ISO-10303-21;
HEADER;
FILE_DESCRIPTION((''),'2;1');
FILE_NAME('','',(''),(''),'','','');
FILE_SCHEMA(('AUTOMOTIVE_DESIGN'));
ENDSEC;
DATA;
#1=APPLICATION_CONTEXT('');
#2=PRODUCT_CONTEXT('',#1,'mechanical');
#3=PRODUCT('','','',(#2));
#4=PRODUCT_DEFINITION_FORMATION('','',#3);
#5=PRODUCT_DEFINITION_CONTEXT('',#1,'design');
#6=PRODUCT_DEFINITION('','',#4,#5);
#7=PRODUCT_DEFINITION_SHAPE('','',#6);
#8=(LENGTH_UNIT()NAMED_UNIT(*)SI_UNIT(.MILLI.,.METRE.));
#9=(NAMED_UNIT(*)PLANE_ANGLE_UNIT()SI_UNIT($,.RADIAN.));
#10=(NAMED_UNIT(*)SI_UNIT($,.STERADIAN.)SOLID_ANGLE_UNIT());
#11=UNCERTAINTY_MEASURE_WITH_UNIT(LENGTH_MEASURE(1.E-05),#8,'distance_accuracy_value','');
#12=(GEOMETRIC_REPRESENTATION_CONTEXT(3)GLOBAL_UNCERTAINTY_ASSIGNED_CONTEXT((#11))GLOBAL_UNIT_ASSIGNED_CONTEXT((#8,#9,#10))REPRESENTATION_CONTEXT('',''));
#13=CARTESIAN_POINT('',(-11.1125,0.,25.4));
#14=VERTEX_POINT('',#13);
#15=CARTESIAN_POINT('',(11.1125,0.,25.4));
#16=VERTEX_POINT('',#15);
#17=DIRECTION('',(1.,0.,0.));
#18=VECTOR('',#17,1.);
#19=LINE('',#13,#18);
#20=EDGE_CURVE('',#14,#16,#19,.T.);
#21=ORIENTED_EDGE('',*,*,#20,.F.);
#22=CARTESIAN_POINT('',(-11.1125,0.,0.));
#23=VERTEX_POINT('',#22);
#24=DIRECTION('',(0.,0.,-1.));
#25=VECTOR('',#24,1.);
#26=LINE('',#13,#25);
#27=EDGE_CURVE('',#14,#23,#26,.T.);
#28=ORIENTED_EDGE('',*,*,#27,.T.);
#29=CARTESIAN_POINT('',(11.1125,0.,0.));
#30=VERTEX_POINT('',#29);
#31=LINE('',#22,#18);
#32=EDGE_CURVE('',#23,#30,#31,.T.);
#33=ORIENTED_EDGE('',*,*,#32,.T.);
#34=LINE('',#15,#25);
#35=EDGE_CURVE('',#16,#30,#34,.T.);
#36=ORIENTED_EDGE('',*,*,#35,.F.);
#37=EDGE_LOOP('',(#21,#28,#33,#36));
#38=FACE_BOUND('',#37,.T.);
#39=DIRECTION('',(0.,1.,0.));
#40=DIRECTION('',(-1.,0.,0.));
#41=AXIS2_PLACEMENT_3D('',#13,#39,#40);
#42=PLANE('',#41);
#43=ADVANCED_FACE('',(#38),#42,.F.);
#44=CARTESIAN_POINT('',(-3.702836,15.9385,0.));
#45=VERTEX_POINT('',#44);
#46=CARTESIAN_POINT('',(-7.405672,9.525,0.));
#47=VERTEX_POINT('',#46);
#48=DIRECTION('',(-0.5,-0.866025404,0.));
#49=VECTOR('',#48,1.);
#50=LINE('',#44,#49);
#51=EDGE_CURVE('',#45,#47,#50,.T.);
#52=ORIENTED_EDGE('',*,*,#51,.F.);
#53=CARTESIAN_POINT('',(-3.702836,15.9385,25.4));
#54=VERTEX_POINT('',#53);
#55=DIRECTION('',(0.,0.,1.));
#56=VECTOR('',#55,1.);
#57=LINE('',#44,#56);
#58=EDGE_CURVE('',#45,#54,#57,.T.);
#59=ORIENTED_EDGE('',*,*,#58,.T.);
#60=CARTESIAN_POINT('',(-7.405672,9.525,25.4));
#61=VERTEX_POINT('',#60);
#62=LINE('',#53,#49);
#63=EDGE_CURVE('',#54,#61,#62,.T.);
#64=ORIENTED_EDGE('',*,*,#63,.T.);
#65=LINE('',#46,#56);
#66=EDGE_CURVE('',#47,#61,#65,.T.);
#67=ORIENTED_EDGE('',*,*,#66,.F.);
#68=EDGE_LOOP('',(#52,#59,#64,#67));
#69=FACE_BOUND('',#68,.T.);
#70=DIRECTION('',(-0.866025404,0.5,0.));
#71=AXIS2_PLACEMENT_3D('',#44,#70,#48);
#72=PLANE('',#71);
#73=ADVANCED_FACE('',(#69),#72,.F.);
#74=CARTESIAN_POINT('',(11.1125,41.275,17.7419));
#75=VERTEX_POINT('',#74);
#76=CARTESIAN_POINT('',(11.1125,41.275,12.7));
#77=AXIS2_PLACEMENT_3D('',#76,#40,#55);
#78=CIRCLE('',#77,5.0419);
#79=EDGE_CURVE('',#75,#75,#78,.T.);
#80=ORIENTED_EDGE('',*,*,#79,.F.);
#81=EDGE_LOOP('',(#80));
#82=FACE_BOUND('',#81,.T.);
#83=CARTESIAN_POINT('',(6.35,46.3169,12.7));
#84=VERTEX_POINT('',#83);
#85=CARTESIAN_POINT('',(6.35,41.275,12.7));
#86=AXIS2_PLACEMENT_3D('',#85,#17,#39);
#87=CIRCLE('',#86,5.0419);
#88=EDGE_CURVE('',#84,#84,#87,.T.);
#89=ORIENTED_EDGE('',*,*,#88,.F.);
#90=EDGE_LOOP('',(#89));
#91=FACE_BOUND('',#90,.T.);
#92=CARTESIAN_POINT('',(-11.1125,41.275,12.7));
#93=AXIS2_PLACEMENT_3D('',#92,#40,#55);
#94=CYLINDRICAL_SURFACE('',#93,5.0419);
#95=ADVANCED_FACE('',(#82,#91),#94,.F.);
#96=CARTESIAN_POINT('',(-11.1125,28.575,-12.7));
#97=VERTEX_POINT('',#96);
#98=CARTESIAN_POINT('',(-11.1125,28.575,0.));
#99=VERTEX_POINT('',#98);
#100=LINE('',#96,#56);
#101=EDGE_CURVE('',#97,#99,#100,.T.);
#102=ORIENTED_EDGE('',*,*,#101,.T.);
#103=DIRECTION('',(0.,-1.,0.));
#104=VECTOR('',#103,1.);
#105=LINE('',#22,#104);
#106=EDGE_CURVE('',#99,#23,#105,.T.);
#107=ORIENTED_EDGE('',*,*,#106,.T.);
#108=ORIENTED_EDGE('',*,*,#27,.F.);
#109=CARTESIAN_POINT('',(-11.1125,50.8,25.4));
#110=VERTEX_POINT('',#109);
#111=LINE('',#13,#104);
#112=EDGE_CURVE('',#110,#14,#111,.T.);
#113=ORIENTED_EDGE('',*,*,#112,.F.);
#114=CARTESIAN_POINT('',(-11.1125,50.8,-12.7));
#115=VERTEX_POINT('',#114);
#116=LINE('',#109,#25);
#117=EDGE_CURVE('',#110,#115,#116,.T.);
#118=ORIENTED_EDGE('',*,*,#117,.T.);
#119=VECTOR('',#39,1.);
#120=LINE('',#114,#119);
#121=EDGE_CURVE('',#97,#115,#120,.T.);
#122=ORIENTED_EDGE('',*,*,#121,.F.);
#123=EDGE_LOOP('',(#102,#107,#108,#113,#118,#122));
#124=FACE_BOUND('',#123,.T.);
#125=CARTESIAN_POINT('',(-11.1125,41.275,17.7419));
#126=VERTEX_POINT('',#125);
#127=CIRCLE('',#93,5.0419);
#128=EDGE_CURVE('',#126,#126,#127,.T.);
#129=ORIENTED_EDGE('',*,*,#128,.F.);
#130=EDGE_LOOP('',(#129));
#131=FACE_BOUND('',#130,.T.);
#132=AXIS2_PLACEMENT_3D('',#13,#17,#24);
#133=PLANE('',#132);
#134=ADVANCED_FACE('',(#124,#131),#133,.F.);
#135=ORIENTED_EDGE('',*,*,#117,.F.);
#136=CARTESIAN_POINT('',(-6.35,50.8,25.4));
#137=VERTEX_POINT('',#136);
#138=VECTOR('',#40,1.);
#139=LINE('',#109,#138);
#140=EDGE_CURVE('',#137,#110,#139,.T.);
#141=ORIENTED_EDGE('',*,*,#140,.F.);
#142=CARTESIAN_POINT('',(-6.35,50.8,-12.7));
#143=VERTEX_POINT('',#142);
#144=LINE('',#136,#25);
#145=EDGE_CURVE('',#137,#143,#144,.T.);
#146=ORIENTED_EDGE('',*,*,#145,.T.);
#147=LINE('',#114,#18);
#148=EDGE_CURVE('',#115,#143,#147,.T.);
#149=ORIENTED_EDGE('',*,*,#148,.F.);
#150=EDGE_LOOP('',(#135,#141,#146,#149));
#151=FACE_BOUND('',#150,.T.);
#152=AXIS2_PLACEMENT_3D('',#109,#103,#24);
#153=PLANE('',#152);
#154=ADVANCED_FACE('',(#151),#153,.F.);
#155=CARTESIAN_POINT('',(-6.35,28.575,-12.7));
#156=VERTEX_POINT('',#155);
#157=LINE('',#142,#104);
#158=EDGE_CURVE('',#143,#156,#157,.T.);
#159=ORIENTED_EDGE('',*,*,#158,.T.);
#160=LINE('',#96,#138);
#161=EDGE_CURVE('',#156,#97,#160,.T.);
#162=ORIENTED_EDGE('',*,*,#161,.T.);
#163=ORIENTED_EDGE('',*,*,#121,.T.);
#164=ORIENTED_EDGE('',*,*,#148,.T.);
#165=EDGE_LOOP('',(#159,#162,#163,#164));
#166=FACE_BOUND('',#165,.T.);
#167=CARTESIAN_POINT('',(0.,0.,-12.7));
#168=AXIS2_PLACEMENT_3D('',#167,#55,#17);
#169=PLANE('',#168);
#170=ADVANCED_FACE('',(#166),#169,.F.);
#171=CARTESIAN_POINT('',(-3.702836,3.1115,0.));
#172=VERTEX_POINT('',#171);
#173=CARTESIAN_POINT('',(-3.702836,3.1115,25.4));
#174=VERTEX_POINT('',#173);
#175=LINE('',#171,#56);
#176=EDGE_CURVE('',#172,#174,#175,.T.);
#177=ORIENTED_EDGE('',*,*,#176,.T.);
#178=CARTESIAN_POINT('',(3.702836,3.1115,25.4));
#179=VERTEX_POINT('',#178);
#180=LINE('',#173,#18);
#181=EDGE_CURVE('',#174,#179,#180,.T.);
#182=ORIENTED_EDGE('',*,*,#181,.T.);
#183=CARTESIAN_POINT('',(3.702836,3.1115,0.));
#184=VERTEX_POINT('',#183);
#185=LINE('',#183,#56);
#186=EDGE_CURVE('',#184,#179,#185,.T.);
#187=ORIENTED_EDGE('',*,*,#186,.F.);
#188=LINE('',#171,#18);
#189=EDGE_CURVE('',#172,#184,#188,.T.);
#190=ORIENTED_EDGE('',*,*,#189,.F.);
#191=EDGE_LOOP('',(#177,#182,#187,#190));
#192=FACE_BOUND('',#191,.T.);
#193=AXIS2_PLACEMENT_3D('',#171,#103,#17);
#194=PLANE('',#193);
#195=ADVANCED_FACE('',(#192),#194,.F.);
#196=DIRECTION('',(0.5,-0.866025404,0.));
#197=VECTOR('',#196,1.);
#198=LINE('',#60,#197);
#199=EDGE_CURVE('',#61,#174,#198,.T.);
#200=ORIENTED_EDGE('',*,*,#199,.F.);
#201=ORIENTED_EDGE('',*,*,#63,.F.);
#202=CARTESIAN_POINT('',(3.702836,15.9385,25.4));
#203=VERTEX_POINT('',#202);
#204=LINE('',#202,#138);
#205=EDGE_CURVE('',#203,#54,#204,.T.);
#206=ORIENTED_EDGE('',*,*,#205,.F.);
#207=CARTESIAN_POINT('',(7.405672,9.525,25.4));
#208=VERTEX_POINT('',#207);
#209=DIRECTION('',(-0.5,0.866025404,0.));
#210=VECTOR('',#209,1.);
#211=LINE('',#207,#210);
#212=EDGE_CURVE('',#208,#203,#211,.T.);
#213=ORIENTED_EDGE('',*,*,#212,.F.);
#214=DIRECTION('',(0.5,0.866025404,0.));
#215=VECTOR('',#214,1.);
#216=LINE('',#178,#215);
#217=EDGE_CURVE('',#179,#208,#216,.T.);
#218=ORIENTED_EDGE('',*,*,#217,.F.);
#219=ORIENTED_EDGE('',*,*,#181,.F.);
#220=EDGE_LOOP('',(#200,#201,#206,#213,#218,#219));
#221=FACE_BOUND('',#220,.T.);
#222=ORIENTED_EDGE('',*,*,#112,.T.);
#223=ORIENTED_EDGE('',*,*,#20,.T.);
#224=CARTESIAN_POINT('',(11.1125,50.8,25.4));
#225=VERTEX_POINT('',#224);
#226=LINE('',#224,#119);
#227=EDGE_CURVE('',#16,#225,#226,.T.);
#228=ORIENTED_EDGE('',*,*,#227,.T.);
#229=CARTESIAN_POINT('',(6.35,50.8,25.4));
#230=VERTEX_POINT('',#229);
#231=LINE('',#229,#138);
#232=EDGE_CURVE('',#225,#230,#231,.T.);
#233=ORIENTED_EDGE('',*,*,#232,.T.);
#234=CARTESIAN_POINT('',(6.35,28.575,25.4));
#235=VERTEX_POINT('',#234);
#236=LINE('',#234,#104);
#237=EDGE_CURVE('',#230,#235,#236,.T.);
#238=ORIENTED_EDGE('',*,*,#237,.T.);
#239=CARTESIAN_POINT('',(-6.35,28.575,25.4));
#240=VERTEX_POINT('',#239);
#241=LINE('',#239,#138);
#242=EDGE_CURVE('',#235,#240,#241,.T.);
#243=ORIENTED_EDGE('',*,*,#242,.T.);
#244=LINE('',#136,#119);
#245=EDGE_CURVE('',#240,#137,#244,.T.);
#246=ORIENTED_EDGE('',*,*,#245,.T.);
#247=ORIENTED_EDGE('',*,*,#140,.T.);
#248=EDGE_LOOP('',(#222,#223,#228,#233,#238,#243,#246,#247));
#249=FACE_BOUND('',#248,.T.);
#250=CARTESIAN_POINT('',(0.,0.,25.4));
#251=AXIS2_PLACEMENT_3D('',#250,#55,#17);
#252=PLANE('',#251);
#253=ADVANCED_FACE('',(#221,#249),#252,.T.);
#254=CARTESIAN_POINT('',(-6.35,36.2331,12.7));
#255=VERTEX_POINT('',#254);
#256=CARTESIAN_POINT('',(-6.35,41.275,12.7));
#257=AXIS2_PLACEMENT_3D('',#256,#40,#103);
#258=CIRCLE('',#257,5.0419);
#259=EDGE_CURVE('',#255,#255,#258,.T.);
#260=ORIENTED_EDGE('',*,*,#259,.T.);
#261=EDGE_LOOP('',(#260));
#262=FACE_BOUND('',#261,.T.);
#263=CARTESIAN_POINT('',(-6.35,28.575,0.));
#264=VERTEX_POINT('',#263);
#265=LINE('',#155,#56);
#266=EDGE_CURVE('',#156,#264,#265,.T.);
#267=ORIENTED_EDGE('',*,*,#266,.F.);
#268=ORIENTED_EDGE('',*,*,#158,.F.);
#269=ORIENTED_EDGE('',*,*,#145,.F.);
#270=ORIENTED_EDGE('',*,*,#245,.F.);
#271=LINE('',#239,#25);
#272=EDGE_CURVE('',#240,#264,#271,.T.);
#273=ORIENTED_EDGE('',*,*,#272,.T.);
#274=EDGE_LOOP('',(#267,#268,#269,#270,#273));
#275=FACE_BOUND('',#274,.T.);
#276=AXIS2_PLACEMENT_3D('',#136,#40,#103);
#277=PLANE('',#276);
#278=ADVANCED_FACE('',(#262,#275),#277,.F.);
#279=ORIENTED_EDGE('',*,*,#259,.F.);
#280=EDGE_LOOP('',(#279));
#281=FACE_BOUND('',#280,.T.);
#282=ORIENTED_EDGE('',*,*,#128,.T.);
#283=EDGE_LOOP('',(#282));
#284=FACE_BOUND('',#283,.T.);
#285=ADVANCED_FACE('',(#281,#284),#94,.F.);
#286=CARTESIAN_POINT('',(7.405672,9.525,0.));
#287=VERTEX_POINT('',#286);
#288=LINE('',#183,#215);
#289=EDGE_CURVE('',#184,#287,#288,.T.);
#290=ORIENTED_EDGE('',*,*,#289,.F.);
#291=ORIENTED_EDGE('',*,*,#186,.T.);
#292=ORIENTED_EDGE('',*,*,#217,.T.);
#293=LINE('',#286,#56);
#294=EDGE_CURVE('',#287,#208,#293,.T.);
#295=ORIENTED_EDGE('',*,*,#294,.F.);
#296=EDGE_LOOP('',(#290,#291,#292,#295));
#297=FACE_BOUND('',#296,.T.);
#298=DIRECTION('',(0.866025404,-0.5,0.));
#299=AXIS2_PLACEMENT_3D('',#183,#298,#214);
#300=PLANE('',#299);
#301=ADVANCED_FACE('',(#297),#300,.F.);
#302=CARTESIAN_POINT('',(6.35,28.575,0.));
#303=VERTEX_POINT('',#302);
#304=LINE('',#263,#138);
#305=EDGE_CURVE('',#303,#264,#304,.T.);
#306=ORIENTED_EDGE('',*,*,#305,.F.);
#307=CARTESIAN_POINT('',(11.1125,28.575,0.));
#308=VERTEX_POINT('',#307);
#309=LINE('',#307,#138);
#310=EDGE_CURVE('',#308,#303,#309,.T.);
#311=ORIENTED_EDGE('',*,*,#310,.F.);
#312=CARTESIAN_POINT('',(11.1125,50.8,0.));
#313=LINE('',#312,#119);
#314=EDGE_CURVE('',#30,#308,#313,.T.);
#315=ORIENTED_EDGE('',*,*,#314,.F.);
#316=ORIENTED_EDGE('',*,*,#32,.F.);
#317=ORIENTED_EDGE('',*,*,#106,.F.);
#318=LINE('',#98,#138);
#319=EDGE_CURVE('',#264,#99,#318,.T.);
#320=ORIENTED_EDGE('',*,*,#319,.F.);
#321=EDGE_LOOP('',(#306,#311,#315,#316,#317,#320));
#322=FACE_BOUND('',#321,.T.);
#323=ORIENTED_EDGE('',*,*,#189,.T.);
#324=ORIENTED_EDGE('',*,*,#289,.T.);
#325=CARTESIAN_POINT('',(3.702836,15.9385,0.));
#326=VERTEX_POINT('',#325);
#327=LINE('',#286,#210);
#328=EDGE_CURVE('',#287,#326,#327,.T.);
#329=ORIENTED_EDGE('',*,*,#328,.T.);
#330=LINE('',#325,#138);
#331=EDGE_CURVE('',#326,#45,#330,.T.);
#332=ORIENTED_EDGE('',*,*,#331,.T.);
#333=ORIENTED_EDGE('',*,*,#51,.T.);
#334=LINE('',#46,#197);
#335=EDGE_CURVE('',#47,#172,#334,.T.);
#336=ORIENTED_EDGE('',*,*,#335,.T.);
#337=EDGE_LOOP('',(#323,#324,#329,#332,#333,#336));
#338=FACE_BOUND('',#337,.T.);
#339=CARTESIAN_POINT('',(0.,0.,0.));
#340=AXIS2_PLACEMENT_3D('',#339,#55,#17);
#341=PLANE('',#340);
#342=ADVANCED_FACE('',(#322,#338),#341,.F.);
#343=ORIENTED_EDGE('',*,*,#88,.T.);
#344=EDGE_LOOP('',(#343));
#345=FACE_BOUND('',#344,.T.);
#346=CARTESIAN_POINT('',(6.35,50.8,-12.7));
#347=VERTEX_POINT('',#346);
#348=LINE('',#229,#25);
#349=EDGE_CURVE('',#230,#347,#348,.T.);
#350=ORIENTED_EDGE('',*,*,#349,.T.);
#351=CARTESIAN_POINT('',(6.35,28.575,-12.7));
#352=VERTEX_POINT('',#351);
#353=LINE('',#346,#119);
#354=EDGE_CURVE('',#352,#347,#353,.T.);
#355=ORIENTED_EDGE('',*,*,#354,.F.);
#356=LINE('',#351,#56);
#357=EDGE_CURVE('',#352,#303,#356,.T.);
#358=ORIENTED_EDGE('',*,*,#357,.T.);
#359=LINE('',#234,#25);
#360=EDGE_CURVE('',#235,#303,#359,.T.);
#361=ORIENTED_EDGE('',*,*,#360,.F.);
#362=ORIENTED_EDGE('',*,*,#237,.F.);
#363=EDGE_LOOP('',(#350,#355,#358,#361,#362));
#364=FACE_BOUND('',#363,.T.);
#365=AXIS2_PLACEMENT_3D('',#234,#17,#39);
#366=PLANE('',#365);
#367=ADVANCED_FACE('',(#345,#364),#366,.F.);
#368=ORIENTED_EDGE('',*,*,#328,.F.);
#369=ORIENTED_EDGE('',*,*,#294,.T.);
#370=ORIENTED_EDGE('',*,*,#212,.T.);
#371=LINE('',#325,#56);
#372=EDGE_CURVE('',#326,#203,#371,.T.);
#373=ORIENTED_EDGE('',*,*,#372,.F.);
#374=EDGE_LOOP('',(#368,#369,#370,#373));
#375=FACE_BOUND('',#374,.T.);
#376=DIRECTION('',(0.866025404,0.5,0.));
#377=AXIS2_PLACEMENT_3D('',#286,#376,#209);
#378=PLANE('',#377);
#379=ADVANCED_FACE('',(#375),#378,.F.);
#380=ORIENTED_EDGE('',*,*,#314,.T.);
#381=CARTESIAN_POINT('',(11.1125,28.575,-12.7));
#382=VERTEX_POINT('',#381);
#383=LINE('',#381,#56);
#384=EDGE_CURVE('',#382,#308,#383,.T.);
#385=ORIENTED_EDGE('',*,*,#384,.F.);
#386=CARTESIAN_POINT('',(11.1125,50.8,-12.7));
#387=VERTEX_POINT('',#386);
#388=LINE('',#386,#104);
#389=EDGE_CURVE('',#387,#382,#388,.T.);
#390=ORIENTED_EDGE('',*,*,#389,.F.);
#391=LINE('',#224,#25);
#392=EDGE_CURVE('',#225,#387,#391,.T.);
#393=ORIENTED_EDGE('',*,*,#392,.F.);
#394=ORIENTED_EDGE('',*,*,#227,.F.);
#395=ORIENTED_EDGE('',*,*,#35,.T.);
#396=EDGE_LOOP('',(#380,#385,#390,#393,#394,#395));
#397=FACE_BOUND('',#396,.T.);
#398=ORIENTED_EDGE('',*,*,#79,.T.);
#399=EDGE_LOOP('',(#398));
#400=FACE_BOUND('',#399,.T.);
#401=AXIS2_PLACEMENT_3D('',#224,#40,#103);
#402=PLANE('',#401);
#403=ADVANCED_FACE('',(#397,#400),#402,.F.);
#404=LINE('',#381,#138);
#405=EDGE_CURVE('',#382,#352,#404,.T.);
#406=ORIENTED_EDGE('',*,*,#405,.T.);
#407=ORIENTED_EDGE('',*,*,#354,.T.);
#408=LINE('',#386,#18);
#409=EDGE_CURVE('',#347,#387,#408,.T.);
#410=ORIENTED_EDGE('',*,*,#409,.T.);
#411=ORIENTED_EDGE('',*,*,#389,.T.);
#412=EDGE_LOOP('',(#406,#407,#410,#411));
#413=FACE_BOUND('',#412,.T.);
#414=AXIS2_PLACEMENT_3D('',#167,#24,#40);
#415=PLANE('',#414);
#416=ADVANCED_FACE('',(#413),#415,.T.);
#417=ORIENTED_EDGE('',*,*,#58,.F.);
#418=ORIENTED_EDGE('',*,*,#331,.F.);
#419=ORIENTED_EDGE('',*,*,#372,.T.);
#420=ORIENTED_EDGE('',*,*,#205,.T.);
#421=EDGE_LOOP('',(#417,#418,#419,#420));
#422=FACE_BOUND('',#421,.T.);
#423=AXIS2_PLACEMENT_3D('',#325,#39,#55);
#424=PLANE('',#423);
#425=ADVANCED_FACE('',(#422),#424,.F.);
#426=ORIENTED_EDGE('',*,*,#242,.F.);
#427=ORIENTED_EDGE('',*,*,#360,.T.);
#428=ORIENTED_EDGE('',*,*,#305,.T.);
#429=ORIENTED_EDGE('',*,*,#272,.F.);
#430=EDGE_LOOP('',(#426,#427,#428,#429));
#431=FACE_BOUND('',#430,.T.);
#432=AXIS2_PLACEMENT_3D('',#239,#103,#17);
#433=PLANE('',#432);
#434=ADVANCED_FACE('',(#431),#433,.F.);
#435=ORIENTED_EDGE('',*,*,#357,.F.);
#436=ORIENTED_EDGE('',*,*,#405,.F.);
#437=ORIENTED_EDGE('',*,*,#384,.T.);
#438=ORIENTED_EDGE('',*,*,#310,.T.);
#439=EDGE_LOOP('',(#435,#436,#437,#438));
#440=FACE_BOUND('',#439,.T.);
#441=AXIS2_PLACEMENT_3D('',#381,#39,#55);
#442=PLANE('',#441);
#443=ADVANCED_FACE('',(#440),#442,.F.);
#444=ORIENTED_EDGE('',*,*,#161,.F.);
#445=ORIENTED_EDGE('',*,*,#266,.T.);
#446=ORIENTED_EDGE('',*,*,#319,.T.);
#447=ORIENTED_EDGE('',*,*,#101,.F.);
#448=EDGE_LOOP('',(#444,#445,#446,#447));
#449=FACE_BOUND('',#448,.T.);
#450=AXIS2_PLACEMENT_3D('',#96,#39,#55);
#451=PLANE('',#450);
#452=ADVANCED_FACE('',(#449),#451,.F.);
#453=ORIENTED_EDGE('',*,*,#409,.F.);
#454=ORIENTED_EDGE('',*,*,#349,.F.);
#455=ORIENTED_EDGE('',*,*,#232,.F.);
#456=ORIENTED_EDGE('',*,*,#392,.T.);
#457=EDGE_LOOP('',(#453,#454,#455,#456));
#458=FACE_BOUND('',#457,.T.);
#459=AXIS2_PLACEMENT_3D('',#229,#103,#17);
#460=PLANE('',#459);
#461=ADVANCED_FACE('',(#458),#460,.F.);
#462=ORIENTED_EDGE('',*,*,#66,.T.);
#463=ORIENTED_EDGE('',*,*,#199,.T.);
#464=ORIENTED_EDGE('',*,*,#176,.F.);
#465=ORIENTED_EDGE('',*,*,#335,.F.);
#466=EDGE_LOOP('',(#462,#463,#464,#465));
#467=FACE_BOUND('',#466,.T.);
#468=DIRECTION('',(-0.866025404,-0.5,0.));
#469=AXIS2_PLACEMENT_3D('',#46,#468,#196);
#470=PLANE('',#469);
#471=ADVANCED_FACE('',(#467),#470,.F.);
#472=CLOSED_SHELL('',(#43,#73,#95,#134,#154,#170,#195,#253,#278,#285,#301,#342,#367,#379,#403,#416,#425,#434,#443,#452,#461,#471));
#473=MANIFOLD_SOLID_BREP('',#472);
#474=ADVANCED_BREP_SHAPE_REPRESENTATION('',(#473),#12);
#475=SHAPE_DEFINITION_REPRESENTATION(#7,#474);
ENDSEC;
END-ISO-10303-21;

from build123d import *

# Parameters (mm, degrees)
BOSS_EXTRUDE1_DEPTH     = 25.4
CUT_EXTRUDE1_DEPTH      = 26.4
F_3_8_CLEARANCE_HOLE1_D = 10.0838
SKETCH7_W               = 4.7625
SKETCH7_H               = 22.225
BOSS_EXTRUDE2_DEPTH     = 12.7


with BuildPart() as part:
    # Sketch1 → Boss-Extrude1 (new body)
    with BuildSketch(Plane.XY):
        Polygon((-11.1125, 0), (11.1125, 0), (11.1125, 50.8), (6.35, 50.8), (6.35, 28.575), (-6.35, 28.575), (-6.35, 50.8), (-11.1125, 50.8), align=None)
    extrude(amount=BOSS_EXTRUDE1_DEPTH)

    # Sketch2 → Cut-Extrude1 (cut, through all)
    with BuildSketch(Plane.XY.offset(25.4)):
        Polygon((3.702835951, 15.9385), (-3.702835951, 15.9385), (-7.405671903, 9.525), (-3.702835951, 3.1115), (3.702835951, 3.1115), (7.405671903, 9.525), align=None)
    extrude(amount=-CUT_EXTRUDE1_DEPTH, mode=Mode.SUBTRACT)

    # 3/8 Clearance Hole1 (through all)
    with Locations(Plane.ZY.offset(11.1125)):
        with Locations((12.7, 41.275)):
            Hole(F_3_8_CLEARANCE_HOLE1_D / 2)

    # Sketch7 → Boss-Extrude2 (add)
    with BuildSketch(Plane(origin=(0, 0, 0), x_dir=(-1, 0, 0), z_dir=(0, 0, -1))):
        with Locations((-8.73125, 39.6875)):
            Rectangle(SKETCH7_W, SKETCH7_H)
        with Locations((8.73125, 39.6875)):
            Rectangle(SKETCH7_W, SKETCH7_H)
    extrude(amount=BOSS_EXTRUDE2_DEPTH)


solid = part.part
